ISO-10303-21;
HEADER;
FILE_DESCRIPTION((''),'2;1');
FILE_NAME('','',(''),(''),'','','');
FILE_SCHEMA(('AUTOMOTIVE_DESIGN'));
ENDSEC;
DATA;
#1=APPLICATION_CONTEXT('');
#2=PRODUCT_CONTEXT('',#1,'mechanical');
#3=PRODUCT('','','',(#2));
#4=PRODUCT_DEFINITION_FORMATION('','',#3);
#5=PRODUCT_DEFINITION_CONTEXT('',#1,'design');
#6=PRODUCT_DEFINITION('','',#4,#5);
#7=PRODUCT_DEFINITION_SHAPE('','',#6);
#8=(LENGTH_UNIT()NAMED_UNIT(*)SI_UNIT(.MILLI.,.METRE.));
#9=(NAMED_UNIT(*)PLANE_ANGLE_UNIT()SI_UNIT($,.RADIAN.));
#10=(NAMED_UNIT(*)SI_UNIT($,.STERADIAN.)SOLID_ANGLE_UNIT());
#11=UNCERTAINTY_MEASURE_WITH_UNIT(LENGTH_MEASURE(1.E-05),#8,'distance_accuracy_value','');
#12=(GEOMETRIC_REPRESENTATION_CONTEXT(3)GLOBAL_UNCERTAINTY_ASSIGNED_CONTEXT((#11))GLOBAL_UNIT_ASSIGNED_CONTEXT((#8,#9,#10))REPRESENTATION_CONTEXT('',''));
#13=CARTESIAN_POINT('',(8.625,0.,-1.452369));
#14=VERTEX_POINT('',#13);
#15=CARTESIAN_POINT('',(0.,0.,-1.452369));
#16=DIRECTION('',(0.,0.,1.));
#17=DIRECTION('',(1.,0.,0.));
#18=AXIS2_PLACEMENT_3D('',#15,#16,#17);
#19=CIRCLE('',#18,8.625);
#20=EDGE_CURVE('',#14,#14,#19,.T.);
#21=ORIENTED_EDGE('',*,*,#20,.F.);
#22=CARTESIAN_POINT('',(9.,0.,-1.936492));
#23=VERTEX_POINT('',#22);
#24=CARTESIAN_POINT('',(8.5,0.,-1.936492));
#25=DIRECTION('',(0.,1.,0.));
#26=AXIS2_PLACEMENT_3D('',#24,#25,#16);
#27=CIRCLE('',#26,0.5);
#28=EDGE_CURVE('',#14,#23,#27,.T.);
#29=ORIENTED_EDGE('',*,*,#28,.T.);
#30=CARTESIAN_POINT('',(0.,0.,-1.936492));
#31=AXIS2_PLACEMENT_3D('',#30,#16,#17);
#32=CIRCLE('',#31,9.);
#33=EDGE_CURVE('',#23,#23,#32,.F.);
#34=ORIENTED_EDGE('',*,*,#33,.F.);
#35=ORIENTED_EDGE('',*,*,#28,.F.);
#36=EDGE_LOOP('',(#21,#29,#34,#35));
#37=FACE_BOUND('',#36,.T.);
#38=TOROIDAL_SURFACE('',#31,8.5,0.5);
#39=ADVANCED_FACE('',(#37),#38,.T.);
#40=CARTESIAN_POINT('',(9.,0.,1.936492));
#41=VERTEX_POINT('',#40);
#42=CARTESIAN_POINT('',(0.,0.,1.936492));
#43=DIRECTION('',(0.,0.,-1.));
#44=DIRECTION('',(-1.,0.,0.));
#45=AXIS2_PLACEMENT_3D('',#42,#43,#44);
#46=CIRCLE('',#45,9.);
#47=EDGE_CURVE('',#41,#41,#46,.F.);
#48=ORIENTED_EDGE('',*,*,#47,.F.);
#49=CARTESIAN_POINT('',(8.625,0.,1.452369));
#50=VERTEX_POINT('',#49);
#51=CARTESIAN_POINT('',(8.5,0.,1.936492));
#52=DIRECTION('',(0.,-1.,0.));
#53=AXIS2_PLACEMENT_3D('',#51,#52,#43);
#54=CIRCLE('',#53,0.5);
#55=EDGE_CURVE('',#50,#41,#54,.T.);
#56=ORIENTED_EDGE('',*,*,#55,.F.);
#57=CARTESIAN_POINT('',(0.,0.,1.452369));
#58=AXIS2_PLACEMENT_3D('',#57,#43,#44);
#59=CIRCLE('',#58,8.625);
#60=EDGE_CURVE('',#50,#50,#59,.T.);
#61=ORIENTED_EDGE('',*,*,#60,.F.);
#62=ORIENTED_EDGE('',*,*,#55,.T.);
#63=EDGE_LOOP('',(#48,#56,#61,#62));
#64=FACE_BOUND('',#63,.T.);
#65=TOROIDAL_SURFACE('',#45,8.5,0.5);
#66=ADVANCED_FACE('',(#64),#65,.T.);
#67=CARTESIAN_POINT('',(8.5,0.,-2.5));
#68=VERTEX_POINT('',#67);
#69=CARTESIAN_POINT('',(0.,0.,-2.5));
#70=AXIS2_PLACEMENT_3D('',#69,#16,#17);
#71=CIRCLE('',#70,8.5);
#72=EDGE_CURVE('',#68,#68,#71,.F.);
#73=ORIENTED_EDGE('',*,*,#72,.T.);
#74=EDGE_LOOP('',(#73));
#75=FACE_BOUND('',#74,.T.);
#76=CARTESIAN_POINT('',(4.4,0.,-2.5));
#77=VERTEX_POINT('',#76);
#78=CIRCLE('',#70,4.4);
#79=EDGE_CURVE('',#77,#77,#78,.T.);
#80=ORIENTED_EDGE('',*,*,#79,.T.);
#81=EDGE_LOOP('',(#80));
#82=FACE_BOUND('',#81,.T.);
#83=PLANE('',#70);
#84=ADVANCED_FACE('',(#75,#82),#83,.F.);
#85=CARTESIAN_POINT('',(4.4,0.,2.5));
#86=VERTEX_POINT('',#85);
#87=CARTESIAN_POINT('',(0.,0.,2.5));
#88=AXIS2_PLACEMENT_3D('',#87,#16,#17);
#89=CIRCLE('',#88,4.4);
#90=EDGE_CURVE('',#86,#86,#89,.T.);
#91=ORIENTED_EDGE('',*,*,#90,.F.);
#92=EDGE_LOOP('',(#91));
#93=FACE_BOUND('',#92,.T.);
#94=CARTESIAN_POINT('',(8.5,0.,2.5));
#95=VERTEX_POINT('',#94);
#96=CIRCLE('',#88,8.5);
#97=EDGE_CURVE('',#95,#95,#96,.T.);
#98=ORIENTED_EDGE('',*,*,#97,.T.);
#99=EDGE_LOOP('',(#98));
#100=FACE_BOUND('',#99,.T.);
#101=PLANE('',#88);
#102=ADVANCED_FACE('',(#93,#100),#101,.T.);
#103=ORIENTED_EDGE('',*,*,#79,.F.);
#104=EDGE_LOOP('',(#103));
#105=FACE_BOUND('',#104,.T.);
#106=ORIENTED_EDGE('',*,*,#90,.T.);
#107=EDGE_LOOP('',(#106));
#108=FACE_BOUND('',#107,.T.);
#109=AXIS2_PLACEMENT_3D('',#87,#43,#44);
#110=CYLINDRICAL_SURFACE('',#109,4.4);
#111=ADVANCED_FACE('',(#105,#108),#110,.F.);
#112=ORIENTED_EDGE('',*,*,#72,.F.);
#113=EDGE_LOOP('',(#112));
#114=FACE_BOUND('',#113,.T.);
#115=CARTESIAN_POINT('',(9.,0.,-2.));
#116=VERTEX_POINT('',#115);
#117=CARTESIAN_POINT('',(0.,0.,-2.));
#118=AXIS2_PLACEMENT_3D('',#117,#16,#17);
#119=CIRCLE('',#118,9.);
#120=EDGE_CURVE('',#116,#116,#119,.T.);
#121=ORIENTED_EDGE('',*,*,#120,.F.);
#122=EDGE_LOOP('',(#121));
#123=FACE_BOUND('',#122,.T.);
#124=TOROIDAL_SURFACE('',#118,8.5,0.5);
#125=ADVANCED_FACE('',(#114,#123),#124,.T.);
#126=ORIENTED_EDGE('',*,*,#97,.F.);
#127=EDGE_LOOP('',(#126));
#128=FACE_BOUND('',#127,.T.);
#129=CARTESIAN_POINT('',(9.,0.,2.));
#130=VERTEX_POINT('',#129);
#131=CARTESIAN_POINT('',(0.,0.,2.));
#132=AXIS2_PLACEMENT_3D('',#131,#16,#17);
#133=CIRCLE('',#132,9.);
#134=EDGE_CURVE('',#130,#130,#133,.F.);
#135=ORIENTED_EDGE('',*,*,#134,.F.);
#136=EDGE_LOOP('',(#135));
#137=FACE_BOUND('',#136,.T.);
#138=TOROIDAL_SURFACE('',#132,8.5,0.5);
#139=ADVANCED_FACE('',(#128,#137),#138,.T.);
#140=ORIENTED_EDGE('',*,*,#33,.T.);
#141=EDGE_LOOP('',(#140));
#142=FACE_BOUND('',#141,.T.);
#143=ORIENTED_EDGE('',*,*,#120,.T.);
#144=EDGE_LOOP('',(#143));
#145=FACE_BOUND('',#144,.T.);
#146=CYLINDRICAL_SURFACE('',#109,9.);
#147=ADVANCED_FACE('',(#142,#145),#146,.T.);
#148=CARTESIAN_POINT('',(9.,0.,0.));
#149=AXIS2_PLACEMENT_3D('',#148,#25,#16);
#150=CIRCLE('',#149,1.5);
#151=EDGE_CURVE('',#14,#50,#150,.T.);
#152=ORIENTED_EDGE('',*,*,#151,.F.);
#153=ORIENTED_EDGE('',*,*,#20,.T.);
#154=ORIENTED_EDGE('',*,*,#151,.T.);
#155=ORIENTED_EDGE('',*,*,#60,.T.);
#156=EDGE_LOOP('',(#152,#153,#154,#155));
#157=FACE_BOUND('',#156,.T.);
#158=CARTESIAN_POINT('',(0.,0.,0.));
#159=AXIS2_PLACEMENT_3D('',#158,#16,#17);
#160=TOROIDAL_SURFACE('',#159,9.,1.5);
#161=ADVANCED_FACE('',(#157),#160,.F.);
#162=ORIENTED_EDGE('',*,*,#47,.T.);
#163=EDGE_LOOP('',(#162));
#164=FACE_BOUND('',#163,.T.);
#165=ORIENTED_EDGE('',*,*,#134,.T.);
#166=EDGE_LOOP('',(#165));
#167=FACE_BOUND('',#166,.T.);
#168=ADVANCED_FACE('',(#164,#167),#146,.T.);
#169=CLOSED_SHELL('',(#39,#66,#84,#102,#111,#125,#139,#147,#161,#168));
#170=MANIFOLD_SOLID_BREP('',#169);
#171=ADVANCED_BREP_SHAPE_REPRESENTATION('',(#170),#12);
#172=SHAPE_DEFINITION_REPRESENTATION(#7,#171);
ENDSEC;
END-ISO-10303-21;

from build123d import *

# Parameters (mm, degrees)
SKETCH_1_R      = 9
SKETCH_1_R_2    = 4.4
EXTRUDE_1_DEPTH = 2.5
SKETCH_3_R      = 1.5
FILLET_1_R      = 0.5
FILLET_2_R      = 0.5


with BuildPart() as part:
    # Эскиз1 → Бобышка-Вытянуть1 (new, symmetric)
    with BuildSketch(Plane.XY):
        Circle(SKETCH_1_R)
        Circle(SKETCH_1_R_2, mode=Mode.SUBTRACT)
    extrude(amount=EXTRUDE_1_DEPTH, both=True)

    # Вырез-По траектории1: sweep along a path in Эскиз4
    with BuildLine(Plane.XY) as sweep_1_path:
        CenterArc((0, 0), 9, 0, 360)
    # Эскиз3 → Вырез-По траектории1 (sweep, cut)
    with BuildSketch(Plane(origin=(0, 0, 0), x_dir=(1, 0, 0), z_dir=(0, 1, 0))):
        with Locations((9, 0)):
            Circle(SKETCH_3_R)
    sweep(path=sweep_1_path.line, mode=Mode.SUBTRACT)

    # Скругление1
    fillet_1_edges = [part.edges().sort_by_distance(p)[0] for p in [
        (-9, 0, -2.5),
        (-9, 0, 2.5),
    ]]
    fillet(fillet_1_edges, radius=FILLET_1_R)

    # Скругление2
    fillet_2_edges = [part.edges().sort_by_distance(p)[0] for p in [
        (-9, 0, 1.5),
        (-9, 0, -1.5),
    ]]
    fillet(fillet_2_edges, radius=FILLET_2_R)


solid = part.part
